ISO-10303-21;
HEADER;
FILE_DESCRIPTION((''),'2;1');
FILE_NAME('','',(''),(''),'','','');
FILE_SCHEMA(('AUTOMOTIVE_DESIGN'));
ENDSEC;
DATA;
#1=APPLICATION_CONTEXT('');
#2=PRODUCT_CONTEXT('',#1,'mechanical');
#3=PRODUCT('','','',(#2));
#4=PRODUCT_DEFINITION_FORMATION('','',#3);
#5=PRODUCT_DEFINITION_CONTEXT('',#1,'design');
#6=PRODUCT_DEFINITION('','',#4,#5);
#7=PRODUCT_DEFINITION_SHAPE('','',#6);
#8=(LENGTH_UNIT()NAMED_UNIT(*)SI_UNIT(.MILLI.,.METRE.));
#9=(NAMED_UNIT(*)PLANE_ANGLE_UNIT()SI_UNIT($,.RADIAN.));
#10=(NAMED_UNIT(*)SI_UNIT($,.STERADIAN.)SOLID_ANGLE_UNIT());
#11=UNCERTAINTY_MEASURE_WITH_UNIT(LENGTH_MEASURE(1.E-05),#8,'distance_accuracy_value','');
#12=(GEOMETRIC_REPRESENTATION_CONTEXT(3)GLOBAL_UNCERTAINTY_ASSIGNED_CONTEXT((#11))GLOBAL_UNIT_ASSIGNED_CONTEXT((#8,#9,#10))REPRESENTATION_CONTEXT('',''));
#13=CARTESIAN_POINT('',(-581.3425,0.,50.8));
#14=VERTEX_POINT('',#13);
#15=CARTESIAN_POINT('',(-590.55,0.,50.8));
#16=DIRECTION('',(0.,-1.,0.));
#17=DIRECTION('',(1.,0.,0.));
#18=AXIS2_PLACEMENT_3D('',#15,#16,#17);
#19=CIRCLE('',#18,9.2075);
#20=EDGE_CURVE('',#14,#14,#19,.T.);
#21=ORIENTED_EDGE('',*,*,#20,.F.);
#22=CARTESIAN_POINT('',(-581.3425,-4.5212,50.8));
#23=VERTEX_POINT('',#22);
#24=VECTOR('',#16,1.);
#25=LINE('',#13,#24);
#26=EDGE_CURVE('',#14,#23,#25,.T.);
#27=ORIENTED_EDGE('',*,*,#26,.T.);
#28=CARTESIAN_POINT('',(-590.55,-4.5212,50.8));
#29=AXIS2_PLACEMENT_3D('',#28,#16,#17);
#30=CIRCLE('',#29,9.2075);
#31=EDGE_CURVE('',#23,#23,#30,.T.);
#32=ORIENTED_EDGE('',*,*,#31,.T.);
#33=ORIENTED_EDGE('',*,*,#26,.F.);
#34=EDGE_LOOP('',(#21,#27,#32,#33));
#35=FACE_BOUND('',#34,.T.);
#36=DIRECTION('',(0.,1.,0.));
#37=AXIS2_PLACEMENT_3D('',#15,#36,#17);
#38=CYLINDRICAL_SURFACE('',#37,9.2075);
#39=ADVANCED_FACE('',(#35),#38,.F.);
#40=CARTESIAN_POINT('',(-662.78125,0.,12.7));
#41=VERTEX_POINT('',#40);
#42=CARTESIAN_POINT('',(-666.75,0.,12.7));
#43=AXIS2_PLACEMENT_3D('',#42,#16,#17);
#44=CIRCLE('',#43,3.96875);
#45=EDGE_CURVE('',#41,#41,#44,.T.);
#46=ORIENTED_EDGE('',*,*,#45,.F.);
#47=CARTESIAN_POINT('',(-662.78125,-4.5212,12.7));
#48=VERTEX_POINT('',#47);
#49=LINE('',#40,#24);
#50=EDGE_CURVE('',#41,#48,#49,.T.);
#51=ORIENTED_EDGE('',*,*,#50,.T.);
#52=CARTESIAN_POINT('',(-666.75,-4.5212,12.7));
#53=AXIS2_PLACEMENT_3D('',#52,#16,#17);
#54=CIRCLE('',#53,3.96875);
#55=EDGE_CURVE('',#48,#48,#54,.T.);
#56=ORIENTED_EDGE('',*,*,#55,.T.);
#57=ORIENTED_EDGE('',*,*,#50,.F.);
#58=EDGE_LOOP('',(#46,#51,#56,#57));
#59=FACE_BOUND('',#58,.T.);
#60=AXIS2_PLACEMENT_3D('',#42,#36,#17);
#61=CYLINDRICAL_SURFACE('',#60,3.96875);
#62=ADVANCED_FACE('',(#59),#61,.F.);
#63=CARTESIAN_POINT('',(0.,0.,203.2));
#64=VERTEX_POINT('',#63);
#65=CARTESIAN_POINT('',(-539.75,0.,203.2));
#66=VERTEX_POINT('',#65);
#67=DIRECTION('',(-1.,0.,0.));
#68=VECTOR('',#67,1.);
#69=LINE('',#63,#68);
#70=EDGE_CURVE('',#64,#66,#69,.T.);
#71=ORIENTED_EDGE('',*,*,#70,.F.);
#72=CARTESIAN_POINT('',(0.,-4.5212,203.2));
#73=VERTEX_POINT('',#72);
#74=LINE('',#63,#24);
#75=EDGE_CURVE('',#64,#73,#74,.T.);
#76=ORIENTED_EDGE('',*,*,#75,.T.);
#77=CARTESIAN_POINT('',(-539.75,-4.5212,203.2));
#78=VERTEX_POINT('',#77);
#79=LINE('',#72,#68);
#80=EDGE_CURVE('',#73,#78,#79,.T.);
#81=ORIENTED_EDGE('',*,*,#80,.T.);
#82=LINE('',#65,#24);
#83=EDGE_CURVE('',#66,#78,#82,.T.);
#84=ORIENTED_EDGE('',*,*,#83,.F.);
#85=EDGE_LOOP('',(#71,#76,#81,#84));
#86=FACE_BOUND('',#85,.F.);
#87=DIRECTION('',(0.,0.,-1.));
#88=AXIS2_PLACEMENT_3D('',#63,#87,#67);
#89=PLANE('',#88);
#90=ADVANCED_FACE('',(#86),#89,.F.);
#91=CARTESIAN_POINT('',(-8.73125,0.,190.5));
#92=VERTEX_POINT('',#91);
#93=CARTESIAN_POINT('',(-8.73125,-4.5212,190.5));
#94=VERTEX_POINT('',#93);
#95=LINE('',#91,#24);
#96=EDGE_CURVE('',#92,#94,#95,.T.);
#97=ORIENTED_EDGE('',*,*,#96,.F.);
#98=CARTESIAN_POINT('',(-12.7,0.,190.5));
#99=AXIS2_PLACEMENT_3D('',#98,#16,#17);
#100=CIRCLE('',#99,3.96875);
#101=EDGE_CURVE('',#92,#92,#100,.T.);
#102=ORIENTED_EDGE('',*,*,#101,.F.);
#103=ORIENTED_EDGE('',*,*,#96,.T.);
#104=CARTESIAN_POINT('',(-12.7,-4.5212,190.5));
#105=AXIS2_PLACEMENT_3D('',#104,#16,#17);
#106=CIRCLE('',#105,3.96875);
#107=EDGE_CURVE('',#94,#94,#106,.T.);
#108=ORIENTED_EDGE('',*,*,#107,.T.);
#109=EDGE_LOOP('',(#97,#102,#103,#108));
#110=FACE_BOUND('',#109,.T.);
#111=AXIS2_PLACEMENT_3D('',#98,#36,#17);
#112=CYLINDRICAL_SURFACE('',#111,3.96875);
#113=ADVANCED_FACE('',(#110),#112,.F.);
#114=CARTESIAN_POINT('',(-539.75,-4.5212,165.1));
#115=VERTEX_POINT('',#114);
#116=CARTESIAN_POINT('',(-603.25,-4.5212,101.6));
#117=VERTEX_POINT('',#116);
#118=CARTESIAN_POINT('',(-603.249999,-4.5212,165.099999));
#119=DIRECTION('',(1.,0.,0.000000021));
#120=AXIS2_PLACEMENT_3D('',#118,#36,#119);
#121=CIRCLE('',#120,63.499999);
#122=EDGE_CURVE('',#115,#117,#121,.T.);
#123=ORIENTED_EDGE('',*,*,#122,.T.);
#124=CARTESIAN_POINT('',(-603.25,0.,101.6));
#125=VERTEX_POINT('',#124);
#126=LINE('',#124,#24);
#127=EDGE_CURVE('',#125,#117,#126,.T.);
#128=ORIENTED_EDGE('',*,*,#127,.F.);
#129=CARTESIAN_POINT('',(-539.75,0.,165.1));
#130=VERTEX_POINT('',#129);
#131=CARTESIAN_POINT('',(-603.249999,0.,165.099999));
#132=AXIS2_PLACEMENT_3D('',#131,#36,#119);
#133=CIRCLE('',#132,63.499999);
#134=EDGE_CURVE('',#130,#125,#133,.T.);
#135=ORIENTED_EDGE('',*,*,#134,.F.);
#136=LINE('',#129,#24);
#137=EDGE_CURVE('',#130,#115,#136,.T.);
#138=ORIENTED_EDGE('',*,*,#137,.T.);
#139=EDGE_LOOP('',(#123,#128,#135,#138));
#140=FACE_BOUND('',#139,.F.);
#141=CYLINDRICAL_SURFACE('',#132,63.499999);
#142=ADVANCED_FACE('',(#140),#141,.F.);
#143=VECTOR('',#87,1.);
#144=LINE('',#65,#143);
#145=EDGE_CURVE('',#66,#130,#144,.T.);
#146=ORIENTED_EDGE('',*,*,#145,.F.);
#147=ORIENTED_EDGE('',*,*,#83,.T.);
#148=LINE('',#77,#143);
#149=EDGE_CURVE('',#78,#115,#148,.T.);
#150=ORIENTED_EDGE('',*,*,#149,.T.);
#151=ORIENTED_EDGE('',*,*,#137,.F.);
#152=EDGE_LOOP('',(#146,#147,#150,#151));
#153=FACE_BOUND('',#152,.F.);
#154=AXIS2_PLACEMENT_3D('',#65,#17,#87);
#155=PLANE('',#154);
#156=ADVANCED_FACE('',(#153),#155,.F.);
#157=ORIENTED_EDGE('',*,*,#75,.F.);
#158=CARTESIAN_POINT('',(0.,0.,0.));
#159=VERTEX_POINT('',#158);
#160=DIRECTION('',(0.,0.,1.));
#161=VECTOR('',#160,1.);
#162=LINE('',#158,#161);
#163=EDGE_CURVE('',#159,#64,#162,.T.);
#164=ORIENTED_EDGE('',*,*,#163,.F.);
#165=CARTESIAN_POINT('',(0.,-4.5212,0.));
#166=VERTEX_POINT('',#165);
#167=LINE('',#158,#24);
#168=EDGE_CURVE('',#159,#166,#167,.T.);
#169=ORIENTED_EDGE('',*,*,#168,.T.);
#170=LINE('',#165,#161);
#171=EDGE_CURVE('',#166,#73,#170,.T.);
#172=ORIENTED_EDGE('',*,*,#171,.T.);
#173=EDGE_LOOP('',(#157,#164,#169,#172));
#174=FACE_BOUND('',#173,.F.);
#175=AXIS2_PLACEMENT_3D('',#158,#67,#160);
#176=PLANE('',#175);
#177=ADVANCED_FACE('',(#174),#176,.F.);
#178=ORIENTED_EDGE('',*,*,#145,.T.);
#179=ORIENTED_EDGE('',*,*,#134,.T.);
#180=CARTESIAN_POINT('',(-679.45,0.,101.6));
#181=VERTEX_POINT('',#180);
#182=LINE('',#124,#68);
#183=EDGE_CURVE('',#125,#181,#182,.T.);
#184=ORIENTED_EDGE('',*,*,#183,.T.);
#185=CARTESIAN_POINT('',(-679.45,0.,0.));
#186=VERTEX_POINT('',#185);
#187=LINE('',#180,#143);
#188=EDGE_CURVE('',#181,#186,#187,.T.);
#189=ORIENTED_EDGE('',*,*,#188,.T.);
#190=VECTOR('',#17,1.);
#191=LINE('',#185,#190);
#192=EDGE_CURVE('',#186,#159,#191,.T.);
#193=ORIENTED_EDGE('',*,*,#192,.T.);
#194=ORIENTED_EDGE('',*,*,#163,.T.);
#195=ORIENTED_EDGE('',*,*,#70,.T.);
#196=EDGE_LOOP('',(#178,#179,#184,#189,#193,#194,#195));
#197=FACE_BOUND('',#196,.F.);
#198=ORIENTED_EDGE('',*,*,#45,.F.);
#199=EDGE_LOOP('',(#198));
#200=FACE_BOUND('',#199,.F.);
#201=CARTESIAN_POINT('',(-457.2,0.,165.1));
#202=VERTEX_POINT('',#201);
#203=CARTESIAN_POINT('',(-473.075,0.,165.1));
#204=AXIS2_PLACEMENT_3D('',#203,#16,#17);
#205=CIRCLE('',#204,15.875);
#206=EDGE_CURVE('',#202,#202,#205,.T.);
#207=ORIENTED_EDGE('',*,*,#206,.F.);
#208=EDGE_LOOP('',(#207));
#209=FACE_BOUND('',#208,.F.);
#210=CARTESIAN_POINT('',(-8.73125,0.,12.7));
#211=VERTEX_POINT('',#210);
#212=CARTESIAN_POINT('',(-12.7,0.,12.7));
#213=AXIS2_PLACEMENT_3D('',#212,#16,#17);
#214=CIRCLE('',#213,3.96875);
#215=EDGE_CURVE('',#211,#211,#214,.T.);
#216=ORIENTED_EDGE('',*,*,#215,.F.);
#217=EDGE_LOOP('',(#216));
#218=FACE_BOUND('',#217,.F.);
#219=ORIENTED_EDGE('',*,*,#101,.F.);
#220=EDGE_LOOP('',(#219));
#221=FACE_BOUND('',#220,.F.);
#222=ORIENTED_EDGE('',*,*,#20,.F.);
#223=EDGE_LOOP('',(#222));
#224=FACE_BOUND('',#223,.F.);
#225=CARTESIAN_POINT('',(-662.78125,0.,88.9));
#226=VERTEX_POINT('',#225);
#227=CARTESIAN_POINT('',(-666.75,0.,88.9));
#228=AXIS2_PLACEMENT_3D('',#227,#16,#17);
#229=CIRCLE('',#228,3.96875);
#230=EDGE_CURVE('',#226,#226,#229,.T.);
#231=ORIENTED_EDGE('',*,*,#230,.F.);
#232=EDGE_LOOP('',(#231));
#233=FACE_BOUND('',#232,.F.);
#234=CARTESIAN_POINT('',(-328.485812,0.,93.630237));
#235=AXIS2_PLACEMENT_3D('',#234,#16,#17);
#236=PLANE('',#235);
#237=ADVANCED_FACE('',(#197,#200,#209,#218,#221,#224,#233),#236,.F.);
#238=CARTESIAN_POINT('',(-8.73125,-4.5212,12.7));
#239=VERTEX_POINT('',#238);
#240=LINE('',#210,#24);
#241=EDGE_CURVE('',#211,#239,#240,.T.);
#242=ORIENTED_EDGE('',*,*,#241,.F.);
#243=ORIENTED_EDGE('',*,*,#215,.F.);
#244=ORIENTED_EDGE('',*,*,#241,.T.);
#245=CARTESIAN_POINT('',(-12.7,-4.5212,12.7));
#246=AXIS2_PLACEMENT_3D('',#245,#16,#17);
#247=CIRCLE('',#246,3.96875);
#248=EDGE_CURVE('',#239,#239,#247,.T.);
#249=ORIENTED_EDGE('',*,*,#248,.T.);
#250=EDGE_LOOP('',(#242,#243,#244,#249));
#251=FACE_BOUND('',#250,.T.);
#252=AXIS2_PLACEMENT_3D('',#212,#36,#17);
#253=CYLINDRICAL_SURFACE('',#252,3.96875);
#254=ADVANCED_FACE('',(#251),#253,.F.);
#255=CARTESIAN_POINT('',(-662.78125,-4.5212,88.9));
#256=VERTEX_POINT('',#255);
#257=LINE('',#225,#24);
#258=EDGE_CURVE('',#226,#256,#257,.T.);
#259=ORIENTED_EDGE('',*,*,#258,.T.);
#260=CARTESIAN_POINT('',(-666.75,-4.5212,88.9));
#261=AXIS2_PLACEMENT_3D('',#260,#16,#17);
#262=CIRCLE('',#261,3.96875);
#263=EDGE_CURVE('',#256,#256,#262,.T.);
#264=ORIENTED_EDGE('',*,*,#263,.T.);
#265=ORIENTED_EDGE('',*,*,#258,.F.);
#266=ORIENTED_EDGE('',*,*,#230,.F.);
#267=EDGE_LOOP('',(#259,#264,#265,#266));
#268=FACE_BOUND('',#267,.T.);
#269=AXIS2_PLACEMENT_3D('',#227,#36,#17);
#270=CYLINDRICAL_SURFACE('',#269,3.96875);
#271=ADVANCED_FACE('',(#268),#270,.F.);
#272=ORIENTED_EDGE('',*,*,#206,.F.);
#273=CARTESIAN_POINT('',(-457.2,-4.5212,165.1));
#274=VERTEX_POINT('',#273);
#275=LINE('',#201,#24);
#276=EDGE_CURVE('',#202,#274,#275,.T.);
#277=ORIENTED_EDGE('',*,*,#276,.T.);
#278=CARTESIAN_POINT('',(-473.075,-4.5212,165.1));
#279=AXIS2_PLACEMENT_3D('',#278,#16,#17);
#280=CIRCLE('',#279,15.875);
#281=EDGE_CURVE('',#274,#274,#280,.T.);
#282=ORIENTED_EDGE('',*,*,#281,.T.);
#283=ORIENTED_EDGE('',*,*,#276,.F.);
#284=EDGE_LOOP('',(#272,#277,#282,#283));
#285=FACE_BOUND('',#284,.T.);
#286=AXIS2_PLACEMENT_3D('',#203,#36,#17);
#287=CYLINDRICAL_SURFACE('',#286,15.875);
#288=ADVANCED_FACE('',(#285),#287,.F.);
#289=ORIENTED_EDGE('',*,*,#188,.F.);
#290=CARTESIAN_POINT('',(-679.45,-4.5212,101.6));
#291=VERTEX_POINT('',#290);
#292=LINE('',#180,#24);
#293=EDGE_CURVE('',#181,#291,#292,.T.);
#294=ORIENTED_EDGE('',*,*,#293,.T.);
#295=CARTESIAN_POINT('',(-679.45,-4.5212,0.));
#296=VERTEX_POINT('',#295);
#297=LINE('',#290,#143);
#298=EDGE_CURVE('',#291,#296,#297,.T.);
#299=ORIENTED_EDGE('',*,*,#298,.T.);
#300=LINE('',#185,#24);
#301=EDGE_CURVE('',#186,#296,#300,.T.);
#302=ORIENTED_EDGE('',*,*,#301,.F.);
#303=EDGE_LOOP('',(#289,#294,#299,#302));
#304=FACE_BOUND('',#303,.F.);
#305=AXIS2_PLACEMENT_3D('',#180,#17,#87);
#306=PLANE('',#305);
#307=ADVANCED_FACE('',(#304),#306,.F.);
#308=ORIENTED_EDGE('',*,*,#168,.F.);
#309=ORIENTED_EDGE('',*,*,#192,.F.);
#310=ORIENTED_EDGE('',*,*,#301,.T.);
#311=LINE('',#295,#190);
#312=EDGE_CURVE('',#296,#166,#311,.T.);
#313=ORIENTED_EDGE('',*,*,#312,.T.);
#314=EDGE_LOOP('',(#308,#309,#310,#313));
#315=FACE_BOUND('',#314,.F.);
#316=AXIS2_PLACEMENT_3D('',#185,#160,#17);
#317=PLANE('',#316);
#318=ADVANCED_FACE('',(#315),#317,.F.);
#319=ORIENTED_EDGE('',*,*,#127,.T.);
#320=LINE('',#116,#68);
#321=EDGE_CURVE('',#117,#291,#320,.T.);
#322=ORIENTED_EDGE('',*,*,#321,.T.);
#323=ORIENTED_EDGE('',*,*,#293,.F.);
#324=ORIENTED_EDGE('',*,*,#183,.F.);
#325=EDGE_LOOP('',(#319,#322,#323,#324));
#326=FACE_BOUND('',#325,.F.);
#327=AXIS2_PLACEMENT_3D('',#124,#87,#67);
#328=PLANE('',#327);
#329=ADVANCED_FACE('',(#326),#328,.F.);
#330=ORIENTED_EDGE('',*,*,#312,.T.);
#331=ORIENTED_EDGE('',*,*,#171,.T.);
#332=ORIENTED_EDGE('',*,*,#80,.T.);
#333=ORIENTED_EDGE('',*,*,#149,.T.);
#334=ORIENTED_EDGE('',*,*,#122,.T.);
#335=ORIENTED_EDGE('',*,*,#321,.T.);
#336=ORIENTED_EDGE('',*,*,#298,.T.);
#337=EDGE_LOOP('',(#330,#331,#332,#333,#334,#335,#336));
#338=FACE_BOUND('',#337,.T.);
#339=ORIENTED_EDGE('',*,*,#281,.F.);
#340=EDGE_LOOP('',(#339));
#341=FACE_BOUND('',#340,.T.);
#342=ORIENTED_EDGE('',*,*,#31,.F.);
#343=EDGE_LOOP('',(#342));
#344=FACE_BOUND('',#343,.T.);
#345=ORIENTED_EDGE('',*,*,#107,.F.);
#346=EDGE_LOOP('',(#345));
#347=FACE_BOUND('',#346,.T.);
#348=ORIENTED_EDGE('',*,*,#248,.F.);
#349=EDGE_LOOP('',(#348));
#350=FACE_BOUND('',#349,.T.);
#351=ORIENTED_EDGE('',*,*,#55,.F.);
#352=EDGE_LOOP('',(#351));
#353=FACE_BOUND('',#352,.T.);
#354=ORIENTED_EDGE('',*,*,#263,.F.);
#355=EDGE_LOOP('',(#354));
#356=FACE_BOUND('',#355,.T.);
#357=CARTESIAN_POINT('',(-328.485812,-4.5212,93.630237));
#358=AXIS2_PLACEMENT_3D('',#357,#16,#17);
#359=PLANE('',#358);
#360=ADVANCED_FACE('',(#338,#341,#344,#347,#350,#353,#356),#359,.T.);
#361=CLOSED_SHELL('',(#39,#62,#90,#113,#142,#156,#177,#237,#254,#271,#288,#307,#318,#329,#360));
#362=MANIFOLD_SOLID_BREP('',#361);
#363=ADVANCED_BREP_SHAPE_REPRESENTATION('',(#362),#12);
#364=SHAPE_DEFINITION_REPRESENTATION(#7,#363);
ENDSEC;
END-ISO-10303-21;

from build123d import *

# Parameters (mm, degrees)
F0_R     = 3.96875
F0_R_2   = 9.2075
F0_R_3   = 15.875
F1_DEPTH = 4.5212


with BuildPart() as f1:
    # F0 (on Front) → F1 (new body)
    with BuildSketch(Plane.XZ):
        with BuildLine():
            Line((-679.45, 0), (0, 0))
            Line((0, 0), (0, 203.2))
            Line((0, 203.2), (-539.75, 203.2))
            Line((-539.75, 203.2), (-539.75, 165.1))
            ThreePointArc((-539.75, 165.1), (-558.348719, 120.198719), (-603.25, 101.6))
            Line((-603.25, 101.6), (-679.45, 101.6))
            Line((-679.45, 101.6), (-679.45, 0))
        make_face()
        with Locations((-666.75, 12.7)):
            Circle(F0_R, mode=Mode.SUBTRACT)
        with Locations((-590.55, 50.8)):
            Circle(F0_R_2, mode=Mode.SUBTRACT)
        with Locations((-666.75, 88.9)):
            Circle(F0_R, mode=Mode.SUBTRACT)
        with Locations((-12.7, 12.7)):
            Circle(F0_R, mode=Mode.SUBTRACT)
        with Locations((-473.075, 165.1)):
            Circle(F0_R_3, mode=Mode.SUBTRACT)
        with Locations((-12.7, 190.5)):
            Circle(F0_R, mode=Mode.SUBTRACT)
    extrude(amount=F1_DEPTH)


solid = f1.part
